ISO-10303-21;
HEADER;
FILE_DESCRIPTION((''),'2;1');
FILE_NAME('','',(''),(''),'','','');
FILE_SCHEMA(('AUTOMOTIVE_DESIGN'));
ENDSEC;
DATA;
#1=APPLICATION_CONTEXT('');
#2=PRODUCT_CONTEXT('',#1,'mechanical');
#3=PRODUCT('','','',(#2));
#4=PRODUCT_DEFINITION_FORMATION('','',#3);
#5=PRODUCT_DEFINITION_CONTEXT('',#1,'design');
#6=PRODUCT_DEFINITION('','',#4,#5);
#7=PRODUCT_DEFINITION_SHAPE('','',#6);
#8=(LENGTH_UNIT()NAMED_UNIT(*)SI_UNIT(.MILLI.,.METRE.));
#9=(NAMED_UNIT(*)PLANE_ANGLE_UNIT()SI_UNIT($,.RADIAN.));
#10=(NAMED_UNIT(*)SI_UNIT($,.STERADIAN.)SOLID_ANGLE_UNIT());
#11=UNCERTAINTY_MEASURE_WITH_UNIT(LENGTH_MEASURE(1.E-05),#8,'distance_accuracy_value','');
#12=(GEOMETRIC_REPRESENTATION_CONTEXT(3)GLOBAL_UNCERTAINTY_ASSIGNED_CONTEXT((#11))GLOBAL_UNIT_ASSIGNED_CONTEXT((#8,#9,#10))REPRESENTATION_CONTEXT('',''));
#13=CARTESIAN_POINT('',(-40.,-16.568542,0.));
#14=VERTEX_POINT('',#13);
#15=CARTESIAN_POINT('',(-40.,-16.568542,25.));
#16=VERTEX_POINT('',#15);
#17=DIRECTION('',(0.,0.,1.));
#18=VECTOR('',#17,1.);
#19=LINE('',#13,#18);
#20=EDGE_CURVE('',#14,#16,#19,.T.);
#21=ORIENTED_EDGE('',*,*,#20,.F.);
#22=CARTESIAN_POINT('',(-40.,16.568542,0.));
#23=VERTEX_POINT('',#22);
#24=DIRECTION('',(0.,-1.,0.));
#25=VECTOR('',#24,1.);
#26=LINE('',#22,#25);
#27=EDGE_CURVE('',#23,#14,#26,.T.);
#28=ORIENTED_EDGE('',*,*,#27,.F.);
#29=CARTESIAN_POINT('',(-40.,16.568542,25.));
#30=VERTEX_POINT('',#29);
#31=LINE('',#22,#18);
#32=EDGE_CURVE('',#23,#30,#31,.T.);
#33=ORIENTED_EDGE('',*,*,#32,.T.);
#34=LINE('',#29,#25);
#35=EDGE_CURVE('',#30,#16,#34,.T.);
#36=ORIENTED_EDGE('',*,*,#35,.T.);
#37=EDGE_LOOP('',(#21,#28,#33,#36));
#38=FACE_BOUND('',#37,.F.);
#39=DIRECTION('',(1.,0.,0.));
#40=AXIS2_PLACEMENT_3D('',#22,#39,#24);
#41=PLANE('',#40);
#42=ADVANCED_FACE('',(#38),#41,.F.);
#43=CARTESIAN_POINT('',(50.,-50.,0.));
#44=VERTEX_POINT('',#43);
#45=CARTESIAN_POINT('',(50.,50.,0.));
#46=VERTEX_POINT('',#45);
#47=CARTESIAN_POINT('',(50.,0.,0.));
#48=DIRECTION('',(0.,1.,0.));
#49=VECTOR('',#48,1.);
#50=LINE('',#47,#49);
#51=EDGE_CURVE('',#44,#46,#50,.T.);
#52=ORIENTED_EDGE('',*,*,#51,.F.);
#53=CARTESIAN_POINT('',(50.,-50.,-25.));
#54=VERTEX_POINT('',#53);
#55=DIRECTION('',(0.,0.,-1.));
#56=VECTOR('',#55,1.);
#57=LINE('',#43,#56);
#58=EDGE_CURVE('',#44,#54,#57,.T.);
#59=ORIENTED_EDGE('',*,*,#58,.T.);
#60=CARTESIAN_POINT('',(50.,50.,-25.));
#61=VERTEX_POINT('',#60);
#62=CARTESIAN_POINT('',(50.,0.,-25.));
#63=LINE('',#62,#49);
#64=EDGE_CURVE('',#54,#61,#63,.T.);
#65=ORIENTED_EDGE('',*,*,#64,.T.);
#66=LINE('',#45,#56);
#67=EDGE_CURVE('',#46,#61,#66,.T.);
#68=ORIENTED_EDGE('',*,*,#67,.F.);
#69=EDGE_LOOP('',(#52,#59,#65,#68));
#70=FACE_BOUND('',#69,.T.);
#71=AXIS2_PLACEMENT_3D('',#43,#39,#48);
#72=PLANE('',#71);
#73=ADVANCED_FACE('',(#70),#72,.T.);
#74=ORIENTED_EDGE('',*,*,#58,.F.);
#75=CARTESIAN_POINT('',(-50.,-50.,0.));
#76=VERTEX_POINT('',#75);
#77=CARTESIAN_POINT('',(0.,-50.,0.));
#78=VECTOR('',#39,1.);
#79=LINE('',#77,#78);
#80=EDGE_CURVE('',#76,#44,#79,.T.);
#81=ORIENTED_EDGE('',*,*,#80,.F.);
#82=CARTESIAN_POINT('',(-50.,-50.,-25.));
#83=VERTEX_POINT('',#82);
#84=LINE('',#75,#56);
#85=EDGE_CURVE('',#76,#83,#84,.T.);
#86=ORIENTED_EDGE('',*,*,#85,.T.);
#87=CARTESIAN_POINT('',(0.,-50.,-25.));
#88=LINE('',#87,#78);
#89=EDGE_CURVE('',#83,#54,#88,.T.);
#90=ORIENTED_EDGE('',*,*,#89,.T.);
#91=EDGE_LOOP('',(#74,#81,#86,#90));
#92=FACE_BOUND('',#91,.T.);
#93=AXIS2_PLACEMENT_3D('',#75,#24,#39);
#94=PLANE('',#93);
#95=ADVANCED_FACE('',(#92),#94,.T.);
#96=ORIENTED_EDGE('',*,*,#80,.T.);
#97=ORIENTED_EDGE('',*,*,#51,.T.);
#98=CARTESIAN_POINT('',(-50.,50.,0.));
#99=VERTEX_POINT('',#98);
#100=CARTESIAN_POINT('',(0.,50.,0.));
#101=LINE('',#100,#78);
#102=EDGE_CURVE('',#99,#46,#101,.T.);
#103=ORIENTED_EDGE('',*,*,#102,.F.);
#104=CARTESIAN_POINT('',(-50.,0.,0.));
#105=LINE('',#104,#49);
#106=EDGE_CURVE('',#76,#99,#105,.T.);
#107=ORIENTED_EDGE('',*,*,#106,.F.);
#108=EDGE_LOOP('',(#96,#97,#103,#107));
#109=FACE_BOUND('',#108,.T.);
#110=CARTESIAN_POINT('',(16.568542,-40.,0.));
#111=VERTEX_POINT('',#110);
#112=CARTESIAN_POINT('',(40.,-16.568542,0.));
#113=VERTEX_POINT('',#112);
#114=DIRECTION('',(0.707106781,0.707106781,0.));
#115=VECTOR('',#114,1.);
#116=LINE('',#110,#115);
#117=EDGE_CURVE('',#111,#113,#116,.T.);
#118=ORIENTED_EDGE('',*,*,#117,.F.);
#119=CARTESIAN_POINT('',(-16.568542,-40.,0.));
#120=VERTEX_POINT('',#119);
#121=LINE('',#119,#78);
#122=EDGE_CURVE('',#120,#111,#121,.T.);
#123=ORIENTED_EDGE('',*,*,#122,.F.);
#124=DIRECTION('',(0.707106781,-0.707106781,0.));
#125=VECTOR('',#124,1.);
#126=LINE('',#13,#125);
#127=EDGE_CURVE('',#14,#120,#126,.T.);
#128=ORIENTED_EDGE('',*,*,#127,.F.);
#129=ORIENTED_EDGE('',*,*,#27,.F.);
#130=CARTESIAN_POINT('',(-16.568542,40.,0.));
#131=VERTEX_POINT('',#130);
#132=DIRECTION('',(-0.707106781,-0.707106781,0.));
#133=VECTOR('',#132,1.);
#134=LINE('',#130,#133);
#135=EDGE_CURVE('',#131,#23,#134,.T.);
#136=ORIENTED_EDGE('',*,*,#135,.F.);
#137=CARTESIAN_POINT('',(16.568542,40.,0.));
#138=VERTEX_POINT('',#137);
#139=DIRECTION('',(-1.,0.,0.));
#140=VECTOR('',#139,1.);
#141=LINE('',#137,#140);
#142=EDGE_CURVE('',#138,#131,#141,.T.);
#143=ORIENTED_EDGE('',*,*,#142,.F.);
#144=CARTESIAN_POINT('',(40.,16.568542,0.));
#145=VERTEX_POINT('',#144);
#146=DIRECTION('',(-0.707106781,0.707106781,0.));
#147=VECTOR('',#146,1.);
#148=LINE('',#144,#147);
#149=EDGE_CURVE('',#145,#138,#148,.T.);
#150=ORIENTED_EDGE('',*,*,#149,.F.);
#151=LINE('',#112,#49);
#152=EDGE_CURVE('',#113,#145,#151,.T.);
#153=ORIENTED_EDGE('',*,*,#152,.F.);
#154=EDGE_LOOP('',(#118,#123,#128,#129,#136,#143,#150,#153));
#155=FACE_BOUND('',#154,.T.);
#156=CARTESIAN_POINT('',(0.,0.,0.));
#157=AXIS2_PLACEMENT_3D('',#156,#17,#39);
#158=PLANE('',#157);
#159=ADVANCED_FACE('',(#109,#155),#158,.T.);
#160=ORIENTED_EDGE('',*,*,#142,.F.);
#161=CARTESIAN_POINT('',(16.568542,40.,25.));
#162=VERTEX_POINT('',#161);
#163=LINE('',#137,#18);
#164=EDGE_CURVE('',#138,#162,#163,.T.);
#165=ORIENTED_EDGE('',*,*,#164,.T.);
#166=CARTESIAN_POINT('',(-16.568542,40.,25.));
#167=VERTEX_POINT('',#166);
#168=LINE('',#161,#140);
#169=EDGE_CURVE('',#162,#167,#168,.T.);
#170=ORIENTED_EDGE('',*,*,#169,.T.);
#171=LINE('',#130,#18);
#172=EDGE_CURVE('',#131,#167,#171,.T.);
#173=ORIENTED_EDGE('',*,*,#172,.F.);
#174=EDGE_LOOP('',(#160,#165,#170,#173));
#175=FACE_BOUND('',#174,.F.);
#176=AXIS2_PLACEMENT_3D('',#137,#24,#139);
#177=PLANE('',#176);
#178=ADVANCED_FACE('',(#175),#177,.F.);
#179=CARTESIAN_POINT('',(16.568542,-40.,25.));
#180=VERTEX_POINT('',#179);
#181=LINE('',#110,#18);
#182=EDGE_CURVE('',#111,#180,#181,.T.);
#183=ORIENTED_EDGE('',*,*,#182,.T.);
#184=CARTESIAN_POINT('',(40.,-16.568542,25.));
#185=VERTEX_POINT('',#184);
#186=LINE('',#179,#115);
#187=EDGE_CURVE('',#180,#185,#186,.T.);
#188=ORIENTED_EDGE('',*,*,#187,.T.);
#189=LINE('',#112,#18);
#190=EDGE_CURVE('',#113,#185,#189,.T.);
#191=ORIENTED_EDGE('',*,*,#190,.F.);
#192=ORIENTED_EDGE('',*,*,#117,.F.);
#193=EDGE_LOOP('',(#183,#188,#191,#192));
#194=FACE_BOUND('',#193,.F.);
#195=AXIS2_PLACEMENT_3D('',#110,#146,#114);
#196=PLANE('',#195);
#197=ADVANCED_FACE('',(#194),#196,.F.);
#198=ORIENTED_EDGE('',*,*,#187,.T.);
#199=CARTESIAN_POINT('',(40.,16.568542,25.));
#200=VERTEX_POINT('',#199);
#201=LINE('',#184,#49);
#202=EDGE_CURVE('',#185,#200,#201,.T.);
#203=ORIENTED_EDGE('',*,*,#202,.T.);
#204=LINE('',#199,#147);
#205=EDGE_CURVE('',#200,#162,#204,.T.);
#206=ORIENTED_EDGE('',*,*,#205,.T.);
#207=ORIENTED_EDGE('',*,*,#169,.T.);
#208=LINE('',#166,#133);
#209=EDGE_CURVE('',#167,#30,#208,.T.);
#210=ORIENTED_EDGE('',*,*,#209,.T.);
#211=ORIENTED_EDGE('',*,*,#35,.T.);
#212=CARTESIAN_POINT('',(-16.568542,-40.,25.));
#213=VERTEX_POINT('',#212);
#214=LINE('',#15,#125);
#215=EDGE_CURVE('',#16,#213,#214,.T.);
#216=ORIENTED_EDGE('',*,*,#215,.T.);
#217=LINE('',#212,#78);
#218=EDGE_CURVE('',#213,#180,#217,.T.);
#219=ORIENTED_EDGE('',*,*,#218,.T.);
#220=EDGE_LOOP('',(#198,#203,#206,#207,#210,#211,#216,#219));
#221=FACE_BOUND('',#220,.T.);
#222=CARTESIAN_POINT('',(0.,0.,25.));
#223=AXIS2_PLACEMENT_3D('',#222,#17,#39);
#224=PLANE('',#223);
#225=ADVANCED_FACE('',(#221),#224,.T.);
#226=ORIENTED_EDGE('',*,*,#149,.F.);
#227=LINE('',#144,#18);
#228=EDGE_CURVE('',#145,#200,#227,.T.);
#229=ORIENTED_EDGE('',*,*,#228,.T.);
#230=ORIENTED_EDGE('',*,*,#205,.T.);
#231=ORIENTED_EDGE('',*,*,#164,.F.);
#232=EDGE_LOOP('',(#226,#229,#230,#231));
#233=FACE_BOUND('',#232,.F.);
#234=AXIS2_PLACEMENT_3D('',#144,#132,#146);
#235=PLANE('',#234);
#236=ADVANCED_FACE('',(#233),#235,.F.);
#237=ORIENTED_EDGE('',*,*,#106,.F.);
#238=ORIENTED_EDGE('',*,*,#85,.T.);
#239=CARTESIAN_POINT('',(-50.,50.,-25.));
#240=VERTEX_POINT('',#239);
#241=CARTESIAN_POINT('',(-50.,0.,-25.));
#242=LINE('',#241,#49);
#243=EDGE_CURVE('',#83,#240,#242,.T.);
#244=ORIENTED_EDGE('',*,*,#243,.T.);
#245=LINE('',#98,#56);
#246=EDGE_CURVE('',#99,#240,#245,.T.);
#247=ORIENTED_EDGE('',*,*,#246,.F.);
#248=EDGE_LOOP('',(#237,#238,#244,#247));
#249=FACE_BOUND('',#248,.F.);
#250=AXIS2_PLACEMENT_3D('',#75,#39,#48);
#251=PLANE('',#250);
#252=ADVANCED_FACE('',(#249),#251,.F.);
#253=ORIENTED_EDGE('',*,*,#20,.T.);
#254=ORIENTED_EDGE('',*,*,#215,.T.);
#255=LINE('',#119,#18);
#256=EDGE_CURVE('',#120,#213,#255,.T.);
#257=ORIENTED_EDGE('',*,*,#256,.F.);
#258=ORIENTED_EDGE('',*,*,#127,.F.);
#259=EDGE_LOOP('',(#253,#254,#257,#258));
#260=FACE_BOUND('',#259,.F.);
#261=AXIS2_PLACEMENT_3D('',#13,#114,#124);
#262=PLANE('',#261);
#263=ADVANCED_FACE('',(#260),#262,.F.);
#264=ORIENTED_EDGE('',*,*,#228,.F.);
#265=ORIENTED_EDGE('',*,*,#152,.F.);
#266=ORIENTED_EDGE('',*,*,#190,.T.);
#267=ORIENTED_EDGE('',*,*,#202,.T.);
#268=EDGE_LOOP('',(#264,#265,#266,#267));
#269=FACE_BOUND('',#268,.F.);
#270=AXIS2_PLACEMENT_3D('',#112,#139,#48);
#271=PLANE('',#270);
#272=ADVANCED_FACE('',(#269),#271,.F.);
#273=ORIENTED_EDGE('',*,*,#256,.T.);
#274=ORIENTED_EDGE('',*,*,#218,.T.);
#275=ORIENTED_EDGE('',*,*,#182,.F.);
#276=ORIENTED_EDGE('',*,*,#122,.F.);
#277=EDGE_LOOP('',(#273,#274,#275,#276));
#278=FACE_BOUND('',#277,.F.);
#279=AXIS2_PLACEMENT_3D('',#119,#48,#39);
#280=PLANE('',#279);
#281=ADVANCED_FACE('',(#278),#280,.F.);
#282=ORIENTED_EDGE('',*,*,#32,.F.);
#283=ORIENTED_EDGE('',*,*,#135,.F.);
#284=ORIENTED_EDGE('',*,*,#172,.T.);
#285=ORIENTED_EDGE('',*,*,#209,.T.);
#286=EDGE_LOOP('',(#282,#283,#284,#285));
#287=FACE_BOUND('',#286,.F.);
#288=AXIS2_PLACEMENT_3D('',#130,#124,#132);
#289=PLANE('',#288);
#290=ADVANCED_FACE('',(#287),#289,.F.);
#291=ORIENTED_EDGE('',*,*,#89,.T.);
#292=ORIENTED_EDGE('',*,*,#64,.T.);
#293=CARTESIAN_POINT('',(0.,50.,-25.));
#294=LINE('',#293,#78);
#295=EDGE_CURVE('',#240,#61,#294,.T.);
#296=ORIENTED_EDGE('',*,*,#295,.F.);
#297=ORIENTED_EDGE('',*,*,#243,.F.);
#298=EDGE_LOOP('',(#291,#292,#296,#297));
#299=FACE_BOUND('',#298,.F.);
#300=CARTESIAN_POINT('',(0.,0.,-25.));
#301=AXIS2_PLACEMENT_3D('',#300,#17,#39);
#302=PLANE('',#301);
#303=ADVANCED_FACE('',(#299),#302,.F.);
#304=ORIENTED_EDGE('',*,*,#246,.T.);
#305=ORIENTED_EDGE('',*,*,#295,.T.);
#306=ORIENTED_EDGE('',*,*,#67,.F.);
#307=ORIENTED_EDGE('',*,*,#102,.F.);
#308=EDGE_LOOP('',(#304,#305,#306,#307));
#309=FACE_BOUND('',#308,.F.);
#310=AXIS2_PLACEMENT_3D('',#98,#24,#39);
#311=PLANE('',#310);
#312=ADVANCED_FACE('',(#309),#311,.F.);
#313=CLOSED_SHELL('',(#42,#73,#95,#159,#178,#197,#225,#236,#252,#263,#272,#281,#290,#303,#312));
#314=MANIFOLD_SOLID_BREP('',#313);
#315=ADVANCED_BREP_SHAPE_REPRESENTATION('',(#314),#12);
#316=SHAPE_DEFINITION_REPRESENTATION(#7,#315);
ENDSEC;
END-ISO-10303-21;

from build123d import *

# Parameters (mm, degrees)
F0_W     = 100
F0_H     = 100
F1_DEPTH = 25
F3_DEPTH = 25


with BuildPart() as f1:
    # F0 (on Top) → F1 (new body)
    with BuildSketch(Plane.XY):
        Rectangle(F0_W, F0_H)
    extrude(amount=-F1_DEPTH)

    # F2 (on face) → F3 (join)
    with BuildSketch(Plane.XY):
        Polygon((16.568542, 40), (-16.568542, 40), (-40, 16.568542), (-40, -16.568542), (-16.568542, -40), (16.568542, -40), (40, -16.568542), (40, 16.568542), align=None)
    extrude(amount=F3_DEPTH)


solid = f1.part
